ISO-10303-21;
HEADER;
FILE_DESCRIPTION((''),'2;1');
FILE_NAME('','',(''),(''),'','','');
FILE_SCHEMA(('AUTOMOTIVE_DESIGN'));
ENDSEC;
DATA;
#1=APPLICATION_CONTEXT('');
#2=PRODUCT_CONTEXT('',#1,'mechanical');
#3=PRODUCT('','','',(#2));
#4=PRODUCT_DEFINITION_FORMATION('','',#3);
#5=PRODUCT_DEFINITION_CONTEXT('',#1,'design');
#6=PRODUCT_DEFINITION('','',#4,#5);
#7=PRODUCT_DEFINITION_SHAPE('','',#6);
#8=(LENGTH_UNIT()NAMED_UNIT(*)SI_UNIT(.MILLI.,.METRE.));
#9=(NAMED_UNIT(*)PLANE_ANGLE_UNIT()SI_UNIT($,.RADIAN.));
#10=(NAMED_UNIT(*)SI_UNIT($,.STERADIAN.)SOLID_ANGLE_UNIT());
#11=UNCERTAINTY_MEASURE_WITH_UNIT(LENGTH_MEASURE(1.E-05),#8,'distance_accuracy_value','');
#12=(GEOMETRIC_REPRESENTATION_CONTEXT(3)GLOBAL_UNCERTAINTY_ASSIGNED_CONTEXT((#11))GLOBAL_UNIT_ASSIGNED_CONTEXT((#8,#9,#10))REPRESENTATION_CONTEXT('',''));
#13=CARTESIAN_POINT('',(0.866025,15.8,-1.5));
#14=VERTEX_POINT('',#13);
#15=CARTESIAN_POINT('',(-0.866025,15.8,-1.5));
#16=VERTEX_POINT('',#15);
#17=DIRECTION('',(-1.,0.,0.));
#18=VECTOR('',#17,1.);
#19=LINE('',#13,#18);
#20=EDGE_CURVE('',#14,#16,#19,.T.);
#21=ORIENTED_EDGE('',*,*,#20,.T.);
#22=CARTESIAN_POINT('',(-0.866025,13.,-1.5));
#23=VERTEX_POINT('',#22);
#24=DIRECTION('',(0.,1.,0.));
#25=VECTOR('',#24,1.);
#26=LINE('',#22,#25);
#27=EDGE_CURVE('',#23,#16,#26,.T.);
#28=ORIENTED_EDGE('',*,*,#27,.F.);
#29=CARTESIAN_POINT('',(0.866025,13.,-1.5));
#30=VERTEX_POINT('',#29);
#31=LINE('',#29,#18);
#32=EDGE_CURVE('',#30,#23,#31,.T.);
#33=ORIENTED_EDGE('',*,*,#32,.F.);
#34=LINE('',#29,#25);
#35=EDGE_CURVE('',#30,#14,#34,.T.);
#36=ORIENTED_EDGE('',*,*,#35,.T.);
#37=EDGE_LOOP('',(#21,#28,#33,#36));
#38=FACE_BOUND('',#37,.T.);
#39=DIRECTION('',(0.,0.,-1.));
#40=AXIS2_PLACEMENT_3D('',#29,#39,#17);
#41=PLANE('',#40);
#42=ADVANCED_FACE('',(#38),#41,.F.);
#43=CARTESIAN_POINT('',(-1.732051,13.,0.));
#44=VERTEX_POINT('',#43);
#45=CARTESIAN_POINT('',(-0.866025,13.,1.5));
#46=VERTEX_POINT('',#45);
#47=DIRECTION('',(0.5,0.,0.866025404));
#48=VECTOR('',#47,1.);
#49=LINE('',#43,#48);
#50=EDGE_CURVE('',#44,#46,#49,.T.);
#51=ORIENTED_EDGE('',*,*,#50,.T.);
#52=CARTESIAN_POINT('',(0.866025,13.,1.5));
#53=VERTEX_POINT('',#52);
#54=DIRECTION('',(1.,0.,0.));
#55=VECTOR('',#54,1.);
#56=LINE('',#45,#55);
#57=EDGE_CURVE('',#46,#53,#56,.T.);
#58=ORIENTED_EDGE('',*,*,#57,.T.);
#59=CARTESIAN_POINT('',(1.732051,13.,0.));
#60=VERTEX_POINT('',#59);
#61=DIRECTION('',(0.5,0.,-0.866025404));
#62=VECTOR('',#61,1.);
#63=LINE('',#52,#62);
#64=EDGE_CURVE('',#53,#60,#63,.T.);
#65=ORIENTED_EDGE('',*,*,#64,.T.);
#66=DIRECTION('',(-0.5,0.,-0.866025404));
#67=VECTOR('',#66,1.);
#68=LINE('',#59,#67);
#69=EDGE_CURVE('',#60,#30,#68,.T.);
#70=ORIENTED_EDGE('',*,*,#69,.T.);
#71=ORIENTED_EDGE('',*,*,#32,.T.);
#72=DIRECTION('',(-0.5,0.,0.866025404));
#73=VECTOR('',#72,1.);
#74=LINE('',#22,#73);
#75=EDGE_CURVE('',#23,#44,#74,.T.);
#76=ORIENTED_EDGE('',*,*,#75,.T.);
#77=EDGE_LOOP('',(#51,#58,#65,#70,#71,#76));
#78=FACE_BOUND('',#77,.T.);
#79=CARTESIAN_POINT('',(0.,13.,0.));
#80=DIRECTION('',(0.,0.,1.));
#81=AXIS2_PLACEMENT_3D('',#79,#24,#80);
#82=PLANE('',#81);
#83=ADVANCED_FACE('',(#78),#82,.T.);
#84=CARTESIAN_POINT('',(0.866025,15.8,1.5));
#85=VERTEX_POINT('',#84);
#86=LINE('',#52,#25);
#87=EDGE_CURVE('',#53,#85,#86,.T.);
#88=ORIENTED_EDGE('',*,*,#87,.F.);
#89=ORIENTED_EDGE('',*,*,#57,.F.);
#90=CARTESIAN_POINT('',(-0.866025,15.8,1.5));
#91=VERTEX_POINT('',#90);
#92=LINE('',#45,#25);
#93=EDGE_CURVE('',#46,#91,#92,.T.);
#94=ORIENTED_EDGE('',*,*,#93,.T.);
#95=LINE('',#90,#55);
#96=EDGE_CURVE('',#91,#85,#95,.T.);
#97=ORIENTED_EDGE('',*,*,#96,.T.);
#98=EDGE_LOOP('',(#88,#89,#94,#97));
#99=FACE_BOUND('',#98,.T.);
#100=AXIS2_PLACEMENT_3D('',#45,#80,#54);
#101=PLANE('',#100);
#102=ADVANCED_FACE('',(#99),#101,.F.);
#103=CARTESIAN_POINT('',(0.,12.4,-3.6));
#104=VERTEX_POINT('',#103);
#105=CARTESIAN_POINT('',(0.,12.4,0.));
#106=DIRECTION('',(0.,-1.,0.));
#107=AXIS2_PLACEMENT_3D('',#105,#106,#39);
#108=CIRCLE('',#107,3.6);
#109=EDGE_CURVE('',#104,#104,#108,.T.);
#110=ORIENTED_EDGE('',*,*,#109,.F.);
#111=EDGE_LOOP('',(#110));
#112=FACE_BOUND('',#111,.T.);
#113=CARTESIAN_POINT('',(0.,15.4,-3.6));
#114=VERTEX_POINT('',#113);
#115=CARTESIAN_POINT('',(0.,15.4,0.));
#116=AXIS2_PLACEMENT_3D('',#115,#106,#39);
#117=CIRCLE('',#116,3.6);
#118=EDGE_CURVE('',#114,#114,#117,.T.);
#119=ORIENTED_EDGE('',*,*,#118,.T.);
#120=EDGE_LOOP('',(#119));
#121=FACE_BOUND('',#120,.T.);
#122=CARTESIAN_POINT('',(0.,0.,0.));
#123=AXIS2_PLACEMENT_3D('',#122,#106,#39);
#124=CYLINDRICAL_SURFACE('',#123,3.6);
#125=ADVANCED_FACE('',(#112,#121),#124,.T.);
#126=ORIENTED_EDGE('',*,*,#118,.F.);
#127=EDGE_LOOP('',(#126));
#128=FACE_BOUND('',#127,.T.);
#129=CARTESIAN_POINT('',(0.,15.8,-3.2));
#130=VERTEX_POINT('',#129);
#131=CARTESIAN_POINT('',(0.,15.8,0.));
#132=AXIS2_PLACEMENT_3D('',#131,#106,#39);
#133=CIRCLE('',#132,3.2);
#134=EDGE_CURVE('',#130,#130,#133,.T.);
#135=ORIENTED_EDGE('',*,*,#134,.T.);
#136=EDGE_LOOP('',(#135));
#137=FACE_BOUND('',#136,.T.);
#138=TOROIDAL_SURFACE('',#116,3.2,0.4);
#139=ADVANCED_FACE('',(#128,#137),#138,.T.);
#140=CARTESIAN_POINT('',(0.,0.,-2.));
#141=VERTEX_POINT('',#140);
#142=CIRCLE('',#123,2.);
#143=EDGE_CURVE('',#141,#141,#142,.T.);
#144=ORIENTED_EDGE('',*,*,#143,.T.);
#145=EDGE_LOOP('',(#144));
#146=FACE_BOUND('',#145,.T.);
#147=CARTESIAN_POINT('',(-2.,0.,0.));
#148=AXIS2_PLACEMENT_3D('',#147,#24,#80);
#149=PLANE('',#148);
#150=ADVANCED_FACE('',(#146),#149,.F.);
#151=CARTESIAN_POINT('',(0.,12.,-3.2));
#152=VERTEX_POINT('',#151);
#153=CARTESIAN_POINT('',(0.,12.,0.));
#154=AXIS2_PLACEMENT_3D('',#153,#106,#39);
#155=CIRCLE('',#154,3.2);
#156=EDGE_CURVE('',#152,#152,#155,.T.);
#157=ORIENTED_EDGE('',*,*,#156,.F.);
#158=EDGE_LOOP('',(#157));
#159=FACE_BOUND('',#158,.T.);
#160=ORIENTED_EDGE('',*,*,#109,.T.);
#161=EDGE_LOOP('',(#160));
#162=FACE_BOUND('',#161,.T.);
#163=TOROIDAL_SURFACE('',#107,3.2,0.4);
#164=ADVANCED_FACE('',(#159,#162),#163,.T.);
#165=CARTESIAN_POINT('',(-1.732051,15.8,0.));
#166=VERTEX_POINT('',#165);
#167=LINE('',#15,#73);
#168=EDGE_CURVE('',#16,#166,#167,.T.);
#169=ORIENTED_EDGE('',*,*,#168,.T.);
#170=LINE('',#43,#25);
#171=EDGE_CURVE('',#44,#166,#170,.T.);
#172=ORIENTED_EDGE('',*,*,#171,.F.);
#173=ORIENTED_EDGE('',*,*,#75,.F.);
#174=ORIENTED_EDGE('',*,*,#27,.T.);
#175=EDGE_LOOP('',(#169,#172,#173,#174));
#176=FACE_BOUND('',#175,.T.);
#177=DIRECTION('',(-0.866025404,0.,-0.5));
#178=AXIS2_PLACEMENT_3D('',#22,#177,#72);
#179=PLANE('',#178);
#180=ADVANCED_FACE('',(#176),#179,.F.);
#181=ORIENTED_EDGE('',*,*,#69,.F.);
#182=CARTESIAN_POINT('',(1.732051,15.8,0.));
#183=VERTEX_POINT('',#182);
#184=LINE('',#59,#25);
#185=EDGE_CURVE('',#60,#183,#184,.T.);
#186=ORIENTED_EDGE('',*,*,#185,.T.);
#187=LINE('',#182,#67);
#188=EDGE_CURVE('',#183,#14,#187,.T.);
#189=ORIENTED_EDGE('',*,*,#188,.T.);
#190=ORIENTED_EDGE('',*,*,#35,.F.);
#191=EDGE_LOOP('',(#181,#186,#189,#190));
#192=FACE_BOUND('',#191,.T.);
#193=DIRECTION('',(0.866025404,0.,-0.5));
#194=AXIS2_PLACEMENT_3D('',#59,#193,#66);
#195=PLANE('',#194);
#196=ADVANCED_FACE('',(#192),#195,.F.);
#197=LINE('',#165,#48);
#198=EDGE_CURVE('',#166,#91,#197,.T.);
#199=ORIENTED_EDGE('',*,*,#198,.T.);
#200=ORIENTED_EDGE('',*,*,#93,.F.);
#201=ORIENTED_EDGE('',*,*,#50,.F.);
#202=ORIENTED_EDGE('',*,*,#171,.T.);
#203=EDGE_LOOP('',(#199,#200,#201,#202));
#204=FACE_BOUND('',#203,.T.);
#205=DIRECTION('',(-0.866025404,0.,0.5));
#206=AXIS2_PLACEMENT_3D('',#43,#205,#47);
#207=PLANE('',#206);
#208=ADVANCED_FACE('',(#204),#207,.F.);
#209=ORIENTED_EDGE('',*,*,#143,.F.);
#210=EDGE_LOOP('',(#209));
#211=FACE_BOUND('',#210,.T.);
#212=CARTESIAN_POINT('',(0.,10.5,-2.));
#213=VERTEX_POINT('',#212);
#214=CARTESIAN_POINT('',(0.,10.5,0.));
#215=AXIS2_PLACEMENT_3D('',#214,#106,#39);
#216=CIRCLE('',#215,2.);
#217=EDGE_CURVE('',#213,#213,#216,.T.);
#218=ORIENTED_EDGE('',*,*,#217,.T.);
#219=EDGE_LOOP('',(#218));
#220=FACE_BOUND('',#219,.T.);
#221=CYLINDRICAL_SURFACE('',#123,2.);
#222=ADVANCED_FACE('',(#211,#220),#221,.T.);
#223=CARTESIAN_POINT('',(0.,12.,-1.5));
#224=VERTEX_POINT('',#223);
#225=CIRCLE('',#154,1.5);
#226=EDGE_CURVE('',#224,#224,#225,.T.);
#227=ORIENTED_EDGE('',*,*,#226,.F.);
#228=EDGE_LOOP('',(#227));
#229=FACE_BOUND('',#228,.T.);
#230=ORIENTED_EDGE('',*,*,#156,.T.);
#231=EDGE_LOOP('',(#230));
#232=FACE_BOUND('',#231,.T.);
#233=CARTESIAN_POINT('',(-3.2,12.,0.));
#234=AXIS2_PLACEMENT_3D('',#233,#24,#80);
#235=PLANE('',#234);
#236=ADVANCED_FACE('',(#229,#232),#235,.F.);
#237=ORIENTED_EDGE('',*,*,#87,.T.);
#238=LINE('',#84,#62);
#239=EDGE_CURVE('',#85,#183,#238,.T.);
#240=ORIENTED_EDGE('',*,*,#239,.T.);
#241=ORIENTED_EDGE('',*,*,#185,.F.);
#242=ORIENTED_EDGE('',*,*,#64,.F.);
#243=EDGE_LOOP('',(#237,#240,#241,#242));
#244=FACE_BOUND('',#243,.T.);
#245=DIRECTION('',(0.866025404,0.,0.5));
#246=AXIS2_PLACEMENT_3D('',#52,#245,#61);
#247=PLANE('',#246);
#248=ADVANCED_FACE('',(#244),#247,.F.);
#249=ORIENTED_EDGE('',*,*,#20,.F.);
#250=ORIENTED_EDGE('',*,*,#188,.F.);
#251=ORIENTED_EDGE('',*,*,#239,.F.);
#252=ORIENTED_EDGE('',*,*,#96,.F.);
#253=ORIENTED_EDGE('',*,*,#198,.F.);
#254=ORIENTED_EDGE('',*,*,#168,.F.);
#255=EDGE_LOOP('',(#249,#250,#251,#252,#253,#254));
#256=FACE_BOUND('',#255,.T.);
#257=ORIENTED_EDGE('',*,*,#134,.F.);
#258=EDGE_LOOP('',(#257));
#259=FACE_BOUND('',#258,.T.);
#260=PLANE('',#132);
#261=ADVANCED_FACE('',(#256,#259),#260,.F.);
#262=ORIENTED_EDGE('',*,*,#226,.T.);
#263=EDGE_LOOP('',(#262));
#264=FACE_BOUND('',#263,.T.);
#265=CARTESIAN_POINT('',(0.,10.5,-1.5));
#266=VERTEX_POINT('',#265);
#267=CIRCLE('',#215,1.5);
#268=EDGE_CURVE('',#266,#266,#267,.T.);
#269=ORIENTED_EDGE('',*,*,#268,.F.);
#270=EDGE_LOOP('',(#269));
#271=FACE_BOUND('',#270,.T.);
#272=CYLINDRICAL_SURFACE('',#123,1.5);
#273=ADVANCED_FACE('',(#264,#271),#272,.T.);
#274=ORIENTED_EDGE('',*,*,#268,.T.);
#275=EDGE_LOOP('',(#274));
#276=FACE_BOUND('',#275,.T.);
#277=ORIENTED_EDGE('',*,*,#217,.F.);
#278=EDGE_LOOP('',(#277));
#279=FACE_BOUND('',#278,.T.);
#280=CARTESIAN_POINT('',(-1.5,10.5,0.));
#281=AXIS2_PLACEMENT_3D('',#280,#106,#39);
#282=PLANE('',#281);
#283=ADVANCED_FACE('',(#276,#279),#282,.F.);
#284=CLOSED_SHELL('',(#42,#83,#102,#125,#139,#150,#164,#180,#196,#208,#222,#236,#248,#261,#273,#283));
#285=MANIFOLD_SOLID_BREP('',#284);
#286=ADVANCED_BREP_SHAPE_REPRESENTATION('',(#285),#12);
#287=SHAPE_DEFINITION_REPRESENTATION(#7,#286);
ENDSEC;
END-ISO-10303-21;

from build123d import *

# Parameters (mm, degrees)
CUT_EXTRUDE_1_DEPTH = 2.8


with BuildPart() as part:
    # 草图1 → 旋转1 (revolve)
    with BuildSketch(Plane.XY, mode=Mode.PRIVATE) as revolve_1_sk:
        with BuildLine():
            Line((0, 15.8), (-3.2, 15.8))
            ThreePointArc((-3.2, 15.8), (-3.482842712, 15.682842712), (-3.6, 15.4))
            Line((-3.6, 15.4), (-3.6, 12.4))
            ThreePointArc((-3.6, 12.4), (-3.482842712, 12.117157288), (-3.2, 12))
            Line((-3.2, 12), (-1.5, 12))
            Line((-1.5, 12), (-1.5, 10.5))
            Line((-1.5, 10.5), (-2, 10.5))
            Line((-2, 10.5), (-2, 0))
            Line((-2, 0), (0, 0))
            Line((0, 0), (0, 15.8))
        make_face()
    revolve(revolve_1_sk.sketch.rotate(Axis((0, 0, 0), (0, 1, 0)), 270), axis=Axis((0, 0, 0), (0, 1, 0)))

    # 草图2 → 切除-拉伸1 (cut)
    with BuildSketch(Plane(origin=(0, 15.8, 0), x_dir=(1, 0, 0), z_dir=(0, 1, 0))):
        Polygon((-0.866025404, 1.5), (-1.732050808, 0), (-0.866025404, -1.5), (0.866025404, -1.5), (1.732050808, 0), (0.866025404, 1.5), align=None)
    extrude(amount=-CUT_EXTRUDE_1_DEPTH, mode=Mode.SUBTRACT)


solid = part.part
